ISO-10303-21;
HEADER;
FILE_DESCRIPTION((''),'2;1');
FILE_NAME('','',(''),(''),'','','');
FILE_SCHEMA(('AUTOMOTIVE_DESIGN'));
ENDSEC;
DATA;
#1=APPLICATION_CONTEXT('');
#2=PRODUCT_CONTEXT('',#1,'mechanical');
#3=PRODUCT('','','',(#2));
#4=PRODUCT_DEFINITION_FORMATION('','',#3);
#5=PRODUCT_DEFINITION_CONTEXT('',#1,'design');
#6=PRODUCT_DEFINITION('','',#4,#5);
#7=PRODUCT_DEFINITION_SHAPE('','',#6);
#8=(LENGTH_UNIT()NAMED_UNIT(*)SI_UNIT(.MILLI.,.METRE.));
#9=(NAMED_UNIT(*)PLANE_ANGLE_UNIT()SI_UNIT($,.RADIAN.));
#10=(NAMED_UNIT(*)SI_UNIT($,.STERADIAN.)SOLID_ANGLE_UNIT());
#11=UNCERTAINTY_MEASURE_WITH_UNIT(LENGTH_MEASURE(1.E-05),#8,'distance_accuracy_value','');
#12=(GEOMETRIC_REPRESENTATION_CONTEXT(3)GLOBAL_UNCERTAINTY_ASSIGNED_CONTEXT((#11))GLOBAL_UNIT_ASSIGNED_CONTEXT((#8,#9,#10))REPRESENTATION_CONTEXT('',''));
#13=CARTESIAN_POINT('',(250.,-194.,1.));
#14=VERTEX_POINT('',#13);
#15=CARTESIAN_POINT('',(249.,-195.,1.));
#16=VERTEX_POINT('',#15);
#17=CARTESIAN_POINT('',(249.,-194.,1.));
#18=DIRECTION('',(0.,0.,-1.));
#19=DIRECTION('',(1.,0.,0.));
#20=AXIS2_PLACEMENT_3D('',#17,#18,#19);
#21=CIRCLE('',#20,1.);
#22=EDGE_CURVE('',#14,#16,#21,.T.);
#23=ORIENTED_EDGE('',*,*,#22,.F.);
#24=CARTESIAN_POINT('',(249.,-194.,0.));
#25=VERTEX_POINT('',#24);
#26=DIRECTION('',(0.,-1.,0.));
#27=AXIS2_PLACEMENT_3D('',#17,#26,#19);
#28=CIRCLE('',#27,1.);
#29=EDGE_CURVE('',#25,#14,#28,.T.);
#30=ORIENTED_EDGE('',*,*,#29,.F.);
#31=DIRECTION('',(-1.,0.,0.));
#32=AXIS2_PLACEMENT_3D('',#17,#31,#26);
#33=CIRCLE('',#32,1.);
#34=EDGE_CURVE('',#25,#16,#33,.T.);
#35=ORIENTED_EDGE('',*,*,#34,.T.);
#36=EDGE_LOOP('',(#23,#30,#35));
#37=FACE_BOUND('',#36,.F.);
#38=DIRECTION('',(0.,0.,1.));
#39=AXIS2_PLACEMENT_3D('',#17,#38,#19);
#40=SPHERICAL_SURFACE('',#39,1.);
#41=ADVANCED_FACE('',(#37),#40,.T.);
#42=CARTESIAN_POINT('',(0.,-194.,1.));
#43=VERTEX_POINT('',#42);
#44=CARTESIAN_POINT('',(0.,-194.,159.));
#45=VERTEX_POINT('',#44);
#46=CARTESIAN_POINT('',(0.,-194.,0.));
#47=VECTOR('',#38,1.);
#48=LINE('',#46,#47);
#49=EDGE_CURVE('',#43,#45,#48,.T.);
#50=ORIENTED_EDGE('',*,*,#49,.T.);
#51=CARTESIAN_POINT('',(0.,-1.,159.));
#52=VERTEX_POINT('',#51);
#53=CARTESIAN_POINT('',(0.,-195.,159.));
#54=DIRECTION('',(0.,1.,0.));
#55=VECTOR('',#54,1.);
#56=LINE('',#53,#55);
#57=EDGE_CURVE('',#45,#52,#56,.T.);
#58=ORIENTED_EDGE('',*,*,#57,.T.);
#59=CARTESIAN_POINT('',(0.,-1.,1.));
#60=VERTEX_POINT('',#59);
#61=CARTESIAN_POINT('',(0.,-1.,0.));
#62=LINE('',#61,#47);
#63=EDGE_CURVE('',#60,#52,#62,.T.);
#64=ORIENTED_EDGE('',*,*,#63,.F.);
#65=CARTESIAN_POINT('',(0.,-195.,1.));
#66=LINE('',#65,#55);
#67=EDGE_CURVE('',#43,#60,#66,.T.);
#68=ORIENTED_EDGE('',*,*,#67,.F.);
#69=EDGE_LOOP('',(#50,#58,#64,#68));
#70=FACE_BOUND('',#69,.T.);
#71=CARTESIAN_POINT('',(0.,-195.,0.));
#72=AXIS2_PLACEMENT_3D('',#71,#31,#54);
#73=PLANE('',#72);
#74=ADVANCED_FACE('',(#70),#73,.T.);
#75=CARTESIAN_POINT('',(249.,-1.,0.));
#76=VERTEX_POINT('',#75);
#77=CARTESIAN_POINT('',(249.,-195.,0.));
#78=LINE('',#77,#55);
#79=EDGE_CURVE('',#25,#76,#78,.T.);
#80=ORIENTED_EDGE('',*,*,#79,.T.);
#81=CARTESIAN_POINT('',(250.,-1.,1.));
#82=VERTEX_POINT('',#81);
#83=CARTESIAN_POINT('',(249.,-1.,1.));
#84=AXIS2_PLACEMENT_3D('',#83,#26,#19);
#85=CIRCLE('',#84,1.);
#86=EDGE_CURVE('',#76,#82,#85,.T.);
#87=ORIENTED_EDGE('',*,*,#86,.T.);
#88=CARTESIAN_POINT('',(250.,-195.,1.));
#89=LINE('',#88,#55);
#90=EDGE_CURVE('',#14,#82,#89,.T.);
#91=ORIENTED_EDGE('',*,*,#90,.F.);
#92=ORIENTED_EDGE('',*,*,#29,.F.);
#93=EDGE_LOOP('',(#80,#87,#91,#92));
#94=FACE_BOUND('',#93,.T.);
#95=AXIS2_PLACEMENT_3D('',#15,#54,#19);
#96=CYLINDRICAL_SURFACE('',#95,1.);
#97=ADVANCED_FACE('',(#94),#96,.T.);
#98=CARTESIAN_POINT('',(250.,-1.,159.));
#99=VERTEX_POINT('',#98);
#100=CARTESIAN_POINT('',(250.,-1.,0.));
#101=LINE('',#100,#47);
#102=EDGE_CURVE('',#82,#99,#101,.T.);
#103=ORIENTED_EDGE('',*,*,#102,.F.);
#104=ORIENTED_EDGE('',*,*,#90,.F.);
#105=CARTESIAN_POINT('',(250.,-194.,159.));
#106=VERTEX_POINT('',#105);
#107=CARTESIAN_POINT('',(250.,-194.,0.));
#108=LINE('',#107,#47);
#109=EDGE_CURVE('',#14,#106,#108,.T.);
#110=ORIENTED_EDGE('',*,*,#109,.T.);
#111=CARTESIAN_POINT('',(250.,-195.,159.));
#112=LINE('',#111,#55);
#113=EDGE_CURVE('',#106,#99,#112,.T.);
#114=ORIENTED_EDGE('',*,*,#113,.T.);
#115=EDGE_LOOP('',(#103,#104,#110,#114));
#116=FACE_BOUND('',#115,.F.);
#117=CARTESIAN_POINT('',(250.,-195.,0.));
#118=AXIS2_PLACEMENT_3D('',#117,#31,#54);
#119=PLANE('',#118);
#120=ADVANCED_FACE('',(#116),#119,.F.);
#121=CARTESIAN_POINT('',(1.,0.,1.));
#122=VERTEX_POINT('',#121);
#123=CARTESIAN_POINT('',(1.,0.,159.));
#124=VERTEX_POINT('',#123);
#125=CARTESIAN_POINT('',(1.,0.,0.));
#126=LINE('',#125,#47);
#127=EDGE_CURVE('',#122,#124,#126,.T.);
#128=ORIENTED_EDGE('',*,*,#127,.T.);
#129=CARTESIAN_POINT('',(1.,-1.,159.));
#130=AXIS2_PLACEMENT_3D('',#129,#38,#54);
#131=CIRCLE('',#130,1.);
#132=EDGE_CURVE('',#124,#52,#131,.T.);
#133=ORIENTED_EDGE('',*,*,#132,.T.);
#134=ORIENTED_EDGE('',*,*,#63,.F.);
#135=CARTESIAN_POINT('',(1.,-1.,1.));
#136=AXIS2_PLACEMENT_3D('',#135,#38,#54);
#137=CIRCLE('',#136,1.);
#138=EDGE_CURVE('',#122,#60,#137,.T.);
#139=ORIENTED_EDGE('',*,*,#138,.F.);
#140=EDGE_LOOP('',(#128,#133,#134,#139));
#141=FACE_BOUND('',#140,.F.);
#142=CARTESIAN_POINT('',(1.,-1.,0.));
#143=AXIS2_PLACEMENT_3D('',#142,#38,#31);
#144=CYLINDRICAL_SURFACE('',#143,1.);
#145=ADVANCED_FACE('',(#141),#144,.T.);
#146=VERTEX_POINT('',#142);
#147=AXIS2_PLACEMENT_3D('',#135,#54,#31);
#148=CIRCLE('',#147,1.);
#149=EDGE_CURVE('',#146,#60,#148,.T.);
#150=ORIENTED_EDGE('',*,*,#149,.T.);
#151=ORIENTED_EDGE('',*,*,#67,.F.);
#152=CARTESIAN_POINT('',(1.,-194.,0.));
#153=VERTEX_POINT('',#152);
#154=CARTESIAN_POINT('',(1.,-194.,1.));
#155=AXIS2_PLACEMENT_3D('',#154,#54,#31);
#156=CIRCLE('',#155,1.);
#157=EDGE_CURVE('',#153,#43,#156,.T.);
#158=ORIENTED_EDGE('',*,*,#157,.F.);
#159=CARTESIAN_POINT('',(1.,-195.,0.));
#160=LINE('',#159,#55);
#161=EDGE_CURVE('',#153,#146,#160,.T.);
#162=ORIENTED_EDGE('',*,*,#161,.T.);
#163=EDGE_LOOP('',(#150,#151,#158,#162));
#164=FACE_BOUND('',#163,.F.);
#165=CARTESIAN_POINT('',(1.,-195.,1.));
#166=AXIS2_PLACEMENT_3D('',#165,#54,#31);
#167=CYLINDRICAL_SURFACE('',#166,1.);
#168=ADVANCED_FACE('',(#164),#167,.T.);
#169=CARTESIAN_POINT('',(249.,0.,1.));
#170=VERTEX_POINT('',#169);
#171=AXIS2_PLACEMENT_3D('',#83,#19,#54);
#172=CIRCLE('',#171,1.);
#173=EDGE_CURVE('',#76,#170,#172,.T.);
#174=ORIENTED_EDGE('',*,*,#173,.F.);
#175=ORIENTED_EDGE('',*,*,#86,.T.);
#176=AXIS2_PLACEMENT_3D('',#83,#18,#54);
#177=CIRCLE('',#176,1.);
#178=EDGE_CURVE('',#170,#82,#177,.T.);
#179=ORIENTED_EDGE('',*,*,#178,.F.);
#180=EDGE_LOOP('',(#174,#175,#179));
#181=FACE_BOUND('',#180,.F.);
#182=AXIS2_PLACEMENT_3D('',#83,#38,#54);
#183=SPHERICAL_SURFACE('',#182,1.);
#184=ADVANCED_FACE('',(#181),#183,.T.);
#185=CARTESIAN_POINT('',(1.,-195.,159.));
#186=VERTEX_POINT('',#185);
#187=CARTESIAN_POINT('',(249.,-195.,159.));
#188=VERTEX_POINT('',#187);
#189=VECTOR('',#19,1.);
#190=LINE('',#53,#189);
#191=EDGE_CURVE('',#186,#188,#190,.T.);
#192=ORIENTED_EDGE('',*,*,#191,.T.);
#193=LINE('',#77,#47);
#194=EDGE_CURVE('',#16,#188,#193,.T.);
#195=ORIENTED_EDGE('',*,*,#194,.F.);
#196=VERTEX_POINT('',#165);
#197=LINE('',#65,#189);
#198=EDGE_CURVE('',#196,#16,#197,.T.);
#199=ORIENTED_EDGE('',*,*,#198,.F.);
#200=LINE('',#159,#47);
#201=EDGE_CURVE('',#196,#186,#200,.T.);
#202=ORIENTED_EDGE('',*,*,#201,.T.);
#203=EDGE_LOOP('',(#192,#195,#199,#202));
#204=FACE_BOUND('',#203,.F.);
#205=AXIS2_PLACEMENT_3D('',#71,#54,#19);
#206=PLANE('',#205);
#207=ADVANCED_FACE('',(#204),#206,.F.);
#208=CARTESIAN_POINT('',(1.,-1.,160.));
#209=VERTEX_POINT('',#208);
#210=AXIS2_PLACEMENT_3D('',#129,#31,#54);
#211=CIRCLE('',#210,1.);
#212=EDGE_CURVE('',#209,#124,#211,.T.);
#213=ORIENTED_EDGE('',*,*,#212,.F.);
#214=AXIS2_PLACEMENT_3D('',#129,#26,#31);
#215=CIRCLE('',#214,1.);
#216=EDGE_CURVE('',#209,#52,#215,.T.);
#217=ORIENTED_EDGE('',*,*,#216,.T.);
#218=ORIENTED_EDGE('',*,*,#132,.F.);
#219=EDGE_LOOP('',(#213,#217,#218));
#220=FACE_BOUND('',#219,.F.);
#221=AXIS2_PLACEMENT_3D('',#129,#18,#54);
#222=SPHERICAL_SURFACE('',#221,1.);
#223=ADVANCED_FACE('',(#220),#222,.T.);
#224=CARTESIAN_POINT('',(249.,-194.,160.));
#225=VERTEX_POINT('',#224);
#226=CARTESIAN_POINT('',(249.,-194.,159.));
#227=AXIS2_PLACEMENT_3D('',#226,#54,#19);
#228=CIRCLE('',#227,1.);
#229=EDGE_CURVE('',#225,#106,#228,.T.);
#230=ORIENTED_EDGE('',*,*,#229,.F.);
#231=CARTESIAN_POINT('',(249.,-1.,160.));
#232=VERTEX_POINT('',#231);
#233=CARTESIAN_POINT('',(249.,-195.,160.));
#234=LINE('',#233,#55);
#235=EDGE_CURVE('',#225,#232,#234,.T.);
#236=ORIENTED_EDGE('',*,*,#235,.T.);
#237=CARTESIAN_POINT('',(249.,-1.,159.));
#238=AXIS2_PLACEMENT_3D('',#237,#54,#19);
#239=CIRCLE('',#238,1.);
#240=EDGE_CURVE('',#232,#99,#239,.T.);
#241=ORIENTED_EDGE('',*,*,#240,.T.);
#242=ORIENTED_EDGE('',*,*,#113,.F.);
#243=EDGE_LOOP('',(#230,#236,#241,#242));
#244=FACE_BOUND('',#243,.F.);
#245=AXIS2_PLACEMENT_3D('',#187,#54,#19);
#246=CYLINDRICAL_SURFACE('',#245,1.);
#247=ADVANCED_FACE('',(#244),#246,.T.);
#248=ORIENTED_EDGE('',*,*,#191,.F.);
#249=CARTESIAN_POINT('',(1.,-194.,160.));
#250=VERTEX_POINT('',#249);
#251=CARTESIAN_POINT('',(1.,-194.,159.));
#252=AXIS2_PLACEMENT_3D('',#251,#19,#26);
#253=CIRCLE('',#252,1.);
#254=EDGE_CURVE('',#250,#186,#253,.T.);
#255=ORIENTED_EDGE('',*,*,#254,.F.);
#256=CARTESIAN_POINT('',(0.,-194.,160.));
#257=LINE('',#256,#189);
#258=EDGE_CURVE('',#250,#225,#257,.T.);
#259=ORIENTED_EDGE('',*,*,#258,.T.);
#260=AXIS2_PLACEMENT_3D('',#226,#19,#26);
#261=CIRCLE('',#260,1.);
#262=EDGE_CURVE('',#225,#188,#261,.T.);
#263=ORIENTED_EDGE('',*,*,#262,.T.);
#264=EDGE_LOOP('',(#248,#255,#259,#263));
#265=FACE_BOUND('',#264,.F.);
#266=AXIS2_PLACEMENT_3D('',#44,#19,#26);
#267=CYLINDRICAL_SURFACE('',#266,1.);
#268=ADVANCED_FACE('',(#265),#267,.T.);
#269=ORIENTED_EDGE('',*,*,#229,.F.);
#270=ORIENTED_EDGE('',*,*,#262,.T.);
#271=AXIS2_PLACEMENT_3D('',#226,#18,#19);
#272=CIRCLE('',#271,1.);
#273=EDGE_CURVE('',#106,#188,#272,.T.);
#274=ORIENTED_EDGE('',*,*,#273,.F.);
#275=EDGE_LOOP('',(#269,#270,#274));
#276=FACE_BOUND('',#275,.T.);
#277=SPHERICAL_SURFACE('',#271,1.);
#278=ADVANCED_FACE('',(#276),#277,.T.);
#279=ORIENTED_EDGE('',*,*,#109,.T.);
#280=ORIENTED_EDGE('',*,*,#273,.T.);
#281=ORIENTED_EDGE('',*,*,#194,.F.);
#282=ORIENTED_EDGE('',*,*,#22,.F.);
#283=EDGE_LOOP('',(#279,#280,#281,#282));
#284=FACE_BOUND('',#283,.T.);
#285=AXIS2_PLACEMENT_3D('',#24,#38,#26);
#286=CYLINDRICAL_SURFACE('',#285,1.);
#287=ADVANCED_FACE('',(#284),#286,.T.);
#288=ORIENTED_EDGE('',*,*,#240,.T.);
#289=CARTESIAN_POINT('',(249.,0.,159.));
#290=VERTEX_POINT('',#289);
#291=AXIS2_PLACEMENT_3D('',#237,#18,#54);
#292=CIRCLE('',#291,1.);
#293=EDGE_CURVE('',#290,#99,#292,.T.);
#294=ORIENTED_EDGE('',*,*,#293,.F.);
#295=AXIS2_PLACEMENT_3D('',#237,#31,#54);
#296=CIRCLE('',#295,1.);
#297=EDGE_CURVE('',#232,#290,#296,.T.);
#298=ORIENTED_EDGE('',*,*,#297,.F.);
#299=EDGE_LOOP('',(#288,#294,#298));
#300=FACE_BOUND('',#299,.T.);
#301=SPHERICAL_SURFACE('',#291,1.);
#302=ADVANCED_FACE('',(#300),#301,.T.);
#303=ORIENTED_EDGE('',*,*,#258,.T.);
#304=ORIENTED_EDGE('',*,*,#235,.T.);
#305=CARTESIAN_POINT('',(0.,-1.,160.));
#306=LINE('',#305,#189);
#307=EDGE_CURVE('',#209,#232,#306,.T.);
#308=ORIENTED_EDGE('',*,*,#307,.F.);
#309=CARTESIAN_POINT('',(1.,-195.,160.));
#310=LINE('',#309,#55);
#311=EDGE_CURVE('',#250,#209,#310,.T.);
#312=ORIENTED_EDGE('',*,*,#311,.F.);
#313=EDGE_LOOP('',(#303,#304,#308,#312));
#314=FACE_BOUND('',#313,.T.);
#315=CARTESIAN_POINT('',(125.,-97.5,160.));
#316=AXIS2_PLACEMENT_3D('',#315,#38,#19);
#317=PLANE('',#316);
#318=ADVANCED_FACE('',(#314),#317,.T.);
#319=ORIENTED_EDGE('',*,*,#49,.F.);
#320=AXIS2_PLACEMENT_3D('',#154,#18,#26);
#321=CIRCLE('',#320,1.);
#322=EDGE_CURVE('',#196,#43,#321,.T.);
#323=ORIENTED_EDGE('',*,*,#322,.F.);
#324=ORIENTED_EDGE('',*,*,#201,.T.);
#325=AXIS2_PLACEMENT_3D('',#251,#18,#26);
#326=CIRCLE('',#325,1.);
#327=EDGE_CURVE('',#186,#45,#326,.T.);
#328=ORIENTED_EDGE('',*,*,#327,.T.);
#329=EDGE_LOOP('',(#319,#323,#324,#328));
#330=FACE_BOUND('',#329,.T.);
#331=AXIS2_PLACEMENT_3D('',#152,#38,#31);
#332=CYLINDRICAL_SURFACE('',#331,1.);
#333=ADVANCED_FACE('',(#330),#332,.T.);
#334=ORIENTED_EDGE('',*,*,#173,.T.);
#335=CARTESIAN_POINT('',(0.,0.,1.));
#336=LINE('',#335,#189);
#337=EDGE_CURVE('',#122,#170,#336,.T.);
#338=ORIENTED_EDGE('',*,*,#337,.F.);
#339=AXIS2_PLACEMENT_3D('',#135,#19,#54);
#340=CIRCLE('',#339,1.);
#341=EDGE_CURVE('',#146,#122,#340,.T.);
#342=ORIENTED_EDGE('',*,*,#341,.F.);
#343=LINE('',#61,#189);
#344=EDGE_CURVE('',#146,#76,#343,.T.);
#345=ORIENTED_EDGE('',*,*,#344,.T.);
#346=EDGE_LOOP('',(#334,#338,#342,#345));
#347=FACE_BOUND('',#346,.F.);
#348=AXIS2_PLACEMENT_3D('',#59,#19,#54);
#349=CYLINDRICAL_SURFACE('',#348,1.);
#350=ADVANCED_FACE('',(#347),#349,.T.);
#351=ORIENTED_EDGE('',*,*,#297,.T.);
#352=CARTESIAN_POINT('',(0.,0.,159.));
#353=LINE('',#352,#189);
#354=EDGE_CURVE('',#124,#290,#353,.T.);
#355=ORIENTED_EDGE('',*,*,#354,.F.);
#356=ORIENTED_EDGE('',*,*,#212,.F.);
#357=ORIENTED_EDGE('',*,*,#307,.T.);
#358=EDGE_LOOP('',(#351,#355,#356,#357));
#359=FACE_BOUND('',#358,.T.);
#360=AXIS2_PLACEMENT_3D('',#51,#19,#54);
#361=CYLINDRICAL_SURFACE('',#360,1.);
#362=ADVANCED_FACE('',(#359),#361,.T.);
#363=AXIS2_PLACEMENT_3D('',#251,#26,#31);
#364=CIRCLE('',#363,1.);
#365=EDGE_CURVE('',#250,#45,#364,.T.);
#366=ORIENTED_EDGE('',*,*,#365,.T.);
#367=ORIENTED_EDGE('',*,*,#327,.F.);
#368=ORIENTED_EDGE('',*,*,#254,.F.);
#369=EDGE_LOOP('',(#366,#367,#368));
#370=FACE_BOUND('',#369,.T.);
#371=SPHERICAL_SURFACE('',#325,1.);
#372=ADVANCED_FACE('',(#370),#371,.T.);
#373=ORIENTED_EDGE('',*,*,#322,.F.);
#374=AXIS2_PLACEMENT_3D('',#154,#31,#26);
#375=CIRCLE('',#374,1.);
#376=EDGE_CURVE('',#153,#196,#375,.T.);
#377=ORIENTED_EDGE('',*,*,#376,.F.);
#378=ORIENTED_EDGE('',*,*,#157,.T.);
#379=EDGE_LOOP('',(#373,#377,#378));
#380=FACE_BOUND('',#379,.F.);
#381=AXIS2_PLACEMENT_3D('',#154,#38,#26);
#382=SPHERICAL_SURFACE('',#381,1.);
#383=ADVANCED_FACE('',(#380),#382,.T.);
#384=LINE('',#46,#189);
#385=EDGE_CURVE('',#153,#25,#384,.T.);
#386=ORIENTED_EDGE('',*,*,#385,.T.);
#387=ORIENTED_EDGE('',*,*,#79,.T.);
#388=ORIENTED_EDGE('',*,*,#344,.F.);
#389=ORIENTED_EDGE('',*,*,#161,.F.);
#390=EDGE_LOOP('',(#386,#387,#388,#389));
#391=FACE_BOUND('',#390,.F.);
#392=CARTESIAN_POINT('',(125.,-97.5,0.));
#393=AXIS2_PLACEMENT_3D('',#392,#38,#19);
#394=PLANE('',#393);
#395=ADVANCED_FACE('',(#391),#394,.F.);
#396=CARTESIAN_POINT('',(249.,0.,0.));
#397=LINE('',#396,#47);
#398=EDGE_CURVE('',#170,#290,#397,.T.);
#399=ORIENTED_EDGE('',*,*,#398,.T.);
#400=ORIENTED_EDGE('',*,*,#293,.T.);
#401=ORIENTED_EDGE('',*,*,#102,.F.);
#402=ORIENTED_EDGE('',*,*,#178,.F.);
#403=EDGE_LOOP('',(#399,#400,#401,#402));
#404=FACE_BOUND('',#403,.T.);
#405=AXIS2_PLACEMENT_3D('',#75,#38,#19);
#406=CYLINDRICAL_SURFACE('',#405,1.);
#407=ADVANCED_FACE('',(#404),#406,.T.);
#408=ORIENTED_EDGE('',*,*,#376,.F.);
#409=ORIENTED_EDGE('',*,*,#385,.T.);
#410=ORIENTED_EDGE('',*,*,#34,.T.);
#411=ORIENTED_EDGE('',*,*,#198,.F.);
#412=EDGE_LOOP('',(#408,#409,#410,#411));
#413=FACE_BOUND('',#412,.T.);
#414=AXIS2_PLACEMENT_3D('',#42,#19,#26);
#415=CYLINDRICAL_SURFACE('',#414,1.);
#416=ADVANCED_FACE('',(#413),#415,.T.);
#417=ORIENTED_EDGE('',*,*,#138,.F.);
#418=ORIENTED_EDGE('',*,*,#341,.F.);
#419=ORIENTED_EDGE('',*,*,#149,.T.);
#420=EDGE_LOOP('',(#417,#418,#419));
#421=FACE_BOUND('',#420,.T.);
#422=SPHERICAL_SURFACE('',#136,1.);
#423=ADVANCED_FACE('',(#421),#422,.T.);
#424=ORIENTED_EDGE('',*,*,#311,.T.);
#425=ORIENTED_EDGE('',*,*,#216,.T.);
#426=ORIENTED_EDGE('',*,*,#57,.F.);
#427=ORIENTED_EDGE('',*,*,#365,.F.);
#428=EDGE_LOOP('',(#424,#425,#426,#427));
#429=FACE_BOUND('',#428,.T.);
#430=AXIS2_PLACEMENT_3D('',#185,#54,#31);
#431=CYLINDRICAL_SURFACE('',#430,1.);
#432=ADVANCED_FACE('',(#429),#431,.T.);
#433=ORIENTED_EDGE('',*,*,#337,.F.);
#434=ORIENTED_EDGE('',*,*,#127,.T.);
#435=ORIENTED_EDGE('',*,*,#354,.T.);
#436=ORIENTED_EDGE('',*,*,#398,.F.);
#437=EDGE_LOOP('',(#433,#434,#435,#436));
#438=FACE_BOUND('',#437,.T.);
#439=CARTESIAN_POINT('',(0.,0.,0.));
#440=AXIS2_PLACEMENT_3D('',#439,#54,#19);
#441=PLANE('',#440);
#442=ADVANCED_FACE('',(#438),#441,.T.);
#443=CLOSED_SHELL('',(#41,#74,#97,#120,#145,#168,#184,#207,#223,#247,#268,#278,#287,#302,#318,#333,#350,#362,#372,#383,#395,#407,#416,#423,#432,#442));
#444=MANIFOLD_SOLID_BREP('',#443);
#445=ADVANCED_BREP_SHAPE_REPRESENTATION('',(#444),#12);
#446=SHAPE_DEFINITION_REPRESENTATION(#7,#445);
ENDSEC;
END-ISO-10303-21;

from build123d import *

# Parameters (mm, degrees)
SKETCH_W  = 250
SKETCH_H  = 195
PAD_DEPTH = 160
FILLET_R  = 1


with BuildPart() as part:
    # Sketch → Pad (new body)
    with BuildSketch(Plane.XY):
        with Locations((125, -97.5)):
            Rectangle(SKETCH_W, SKETCH_H)
    extrude(amount=PAD_DEPTH)

    # Fillet
    fillet_edges = [part.edges().sort_by_distance(p)[0] for p in [
        (0, 0, 80),
        (250, 0, 80),
        (125, 0, 0),
        (125, 0, 160),
        (250, -195, 80),
        (250, -97.5, 0),
        (250, -97.5, 160),
        (0, -195, 80),
        (125, -195, 0),
        (125, -195, 160),
        (0, -97.5, 0),
        (0, -97.5, 160),
    ]]
    fillet(fillet_edges, radius=FILLET_R)


solid = part.part
